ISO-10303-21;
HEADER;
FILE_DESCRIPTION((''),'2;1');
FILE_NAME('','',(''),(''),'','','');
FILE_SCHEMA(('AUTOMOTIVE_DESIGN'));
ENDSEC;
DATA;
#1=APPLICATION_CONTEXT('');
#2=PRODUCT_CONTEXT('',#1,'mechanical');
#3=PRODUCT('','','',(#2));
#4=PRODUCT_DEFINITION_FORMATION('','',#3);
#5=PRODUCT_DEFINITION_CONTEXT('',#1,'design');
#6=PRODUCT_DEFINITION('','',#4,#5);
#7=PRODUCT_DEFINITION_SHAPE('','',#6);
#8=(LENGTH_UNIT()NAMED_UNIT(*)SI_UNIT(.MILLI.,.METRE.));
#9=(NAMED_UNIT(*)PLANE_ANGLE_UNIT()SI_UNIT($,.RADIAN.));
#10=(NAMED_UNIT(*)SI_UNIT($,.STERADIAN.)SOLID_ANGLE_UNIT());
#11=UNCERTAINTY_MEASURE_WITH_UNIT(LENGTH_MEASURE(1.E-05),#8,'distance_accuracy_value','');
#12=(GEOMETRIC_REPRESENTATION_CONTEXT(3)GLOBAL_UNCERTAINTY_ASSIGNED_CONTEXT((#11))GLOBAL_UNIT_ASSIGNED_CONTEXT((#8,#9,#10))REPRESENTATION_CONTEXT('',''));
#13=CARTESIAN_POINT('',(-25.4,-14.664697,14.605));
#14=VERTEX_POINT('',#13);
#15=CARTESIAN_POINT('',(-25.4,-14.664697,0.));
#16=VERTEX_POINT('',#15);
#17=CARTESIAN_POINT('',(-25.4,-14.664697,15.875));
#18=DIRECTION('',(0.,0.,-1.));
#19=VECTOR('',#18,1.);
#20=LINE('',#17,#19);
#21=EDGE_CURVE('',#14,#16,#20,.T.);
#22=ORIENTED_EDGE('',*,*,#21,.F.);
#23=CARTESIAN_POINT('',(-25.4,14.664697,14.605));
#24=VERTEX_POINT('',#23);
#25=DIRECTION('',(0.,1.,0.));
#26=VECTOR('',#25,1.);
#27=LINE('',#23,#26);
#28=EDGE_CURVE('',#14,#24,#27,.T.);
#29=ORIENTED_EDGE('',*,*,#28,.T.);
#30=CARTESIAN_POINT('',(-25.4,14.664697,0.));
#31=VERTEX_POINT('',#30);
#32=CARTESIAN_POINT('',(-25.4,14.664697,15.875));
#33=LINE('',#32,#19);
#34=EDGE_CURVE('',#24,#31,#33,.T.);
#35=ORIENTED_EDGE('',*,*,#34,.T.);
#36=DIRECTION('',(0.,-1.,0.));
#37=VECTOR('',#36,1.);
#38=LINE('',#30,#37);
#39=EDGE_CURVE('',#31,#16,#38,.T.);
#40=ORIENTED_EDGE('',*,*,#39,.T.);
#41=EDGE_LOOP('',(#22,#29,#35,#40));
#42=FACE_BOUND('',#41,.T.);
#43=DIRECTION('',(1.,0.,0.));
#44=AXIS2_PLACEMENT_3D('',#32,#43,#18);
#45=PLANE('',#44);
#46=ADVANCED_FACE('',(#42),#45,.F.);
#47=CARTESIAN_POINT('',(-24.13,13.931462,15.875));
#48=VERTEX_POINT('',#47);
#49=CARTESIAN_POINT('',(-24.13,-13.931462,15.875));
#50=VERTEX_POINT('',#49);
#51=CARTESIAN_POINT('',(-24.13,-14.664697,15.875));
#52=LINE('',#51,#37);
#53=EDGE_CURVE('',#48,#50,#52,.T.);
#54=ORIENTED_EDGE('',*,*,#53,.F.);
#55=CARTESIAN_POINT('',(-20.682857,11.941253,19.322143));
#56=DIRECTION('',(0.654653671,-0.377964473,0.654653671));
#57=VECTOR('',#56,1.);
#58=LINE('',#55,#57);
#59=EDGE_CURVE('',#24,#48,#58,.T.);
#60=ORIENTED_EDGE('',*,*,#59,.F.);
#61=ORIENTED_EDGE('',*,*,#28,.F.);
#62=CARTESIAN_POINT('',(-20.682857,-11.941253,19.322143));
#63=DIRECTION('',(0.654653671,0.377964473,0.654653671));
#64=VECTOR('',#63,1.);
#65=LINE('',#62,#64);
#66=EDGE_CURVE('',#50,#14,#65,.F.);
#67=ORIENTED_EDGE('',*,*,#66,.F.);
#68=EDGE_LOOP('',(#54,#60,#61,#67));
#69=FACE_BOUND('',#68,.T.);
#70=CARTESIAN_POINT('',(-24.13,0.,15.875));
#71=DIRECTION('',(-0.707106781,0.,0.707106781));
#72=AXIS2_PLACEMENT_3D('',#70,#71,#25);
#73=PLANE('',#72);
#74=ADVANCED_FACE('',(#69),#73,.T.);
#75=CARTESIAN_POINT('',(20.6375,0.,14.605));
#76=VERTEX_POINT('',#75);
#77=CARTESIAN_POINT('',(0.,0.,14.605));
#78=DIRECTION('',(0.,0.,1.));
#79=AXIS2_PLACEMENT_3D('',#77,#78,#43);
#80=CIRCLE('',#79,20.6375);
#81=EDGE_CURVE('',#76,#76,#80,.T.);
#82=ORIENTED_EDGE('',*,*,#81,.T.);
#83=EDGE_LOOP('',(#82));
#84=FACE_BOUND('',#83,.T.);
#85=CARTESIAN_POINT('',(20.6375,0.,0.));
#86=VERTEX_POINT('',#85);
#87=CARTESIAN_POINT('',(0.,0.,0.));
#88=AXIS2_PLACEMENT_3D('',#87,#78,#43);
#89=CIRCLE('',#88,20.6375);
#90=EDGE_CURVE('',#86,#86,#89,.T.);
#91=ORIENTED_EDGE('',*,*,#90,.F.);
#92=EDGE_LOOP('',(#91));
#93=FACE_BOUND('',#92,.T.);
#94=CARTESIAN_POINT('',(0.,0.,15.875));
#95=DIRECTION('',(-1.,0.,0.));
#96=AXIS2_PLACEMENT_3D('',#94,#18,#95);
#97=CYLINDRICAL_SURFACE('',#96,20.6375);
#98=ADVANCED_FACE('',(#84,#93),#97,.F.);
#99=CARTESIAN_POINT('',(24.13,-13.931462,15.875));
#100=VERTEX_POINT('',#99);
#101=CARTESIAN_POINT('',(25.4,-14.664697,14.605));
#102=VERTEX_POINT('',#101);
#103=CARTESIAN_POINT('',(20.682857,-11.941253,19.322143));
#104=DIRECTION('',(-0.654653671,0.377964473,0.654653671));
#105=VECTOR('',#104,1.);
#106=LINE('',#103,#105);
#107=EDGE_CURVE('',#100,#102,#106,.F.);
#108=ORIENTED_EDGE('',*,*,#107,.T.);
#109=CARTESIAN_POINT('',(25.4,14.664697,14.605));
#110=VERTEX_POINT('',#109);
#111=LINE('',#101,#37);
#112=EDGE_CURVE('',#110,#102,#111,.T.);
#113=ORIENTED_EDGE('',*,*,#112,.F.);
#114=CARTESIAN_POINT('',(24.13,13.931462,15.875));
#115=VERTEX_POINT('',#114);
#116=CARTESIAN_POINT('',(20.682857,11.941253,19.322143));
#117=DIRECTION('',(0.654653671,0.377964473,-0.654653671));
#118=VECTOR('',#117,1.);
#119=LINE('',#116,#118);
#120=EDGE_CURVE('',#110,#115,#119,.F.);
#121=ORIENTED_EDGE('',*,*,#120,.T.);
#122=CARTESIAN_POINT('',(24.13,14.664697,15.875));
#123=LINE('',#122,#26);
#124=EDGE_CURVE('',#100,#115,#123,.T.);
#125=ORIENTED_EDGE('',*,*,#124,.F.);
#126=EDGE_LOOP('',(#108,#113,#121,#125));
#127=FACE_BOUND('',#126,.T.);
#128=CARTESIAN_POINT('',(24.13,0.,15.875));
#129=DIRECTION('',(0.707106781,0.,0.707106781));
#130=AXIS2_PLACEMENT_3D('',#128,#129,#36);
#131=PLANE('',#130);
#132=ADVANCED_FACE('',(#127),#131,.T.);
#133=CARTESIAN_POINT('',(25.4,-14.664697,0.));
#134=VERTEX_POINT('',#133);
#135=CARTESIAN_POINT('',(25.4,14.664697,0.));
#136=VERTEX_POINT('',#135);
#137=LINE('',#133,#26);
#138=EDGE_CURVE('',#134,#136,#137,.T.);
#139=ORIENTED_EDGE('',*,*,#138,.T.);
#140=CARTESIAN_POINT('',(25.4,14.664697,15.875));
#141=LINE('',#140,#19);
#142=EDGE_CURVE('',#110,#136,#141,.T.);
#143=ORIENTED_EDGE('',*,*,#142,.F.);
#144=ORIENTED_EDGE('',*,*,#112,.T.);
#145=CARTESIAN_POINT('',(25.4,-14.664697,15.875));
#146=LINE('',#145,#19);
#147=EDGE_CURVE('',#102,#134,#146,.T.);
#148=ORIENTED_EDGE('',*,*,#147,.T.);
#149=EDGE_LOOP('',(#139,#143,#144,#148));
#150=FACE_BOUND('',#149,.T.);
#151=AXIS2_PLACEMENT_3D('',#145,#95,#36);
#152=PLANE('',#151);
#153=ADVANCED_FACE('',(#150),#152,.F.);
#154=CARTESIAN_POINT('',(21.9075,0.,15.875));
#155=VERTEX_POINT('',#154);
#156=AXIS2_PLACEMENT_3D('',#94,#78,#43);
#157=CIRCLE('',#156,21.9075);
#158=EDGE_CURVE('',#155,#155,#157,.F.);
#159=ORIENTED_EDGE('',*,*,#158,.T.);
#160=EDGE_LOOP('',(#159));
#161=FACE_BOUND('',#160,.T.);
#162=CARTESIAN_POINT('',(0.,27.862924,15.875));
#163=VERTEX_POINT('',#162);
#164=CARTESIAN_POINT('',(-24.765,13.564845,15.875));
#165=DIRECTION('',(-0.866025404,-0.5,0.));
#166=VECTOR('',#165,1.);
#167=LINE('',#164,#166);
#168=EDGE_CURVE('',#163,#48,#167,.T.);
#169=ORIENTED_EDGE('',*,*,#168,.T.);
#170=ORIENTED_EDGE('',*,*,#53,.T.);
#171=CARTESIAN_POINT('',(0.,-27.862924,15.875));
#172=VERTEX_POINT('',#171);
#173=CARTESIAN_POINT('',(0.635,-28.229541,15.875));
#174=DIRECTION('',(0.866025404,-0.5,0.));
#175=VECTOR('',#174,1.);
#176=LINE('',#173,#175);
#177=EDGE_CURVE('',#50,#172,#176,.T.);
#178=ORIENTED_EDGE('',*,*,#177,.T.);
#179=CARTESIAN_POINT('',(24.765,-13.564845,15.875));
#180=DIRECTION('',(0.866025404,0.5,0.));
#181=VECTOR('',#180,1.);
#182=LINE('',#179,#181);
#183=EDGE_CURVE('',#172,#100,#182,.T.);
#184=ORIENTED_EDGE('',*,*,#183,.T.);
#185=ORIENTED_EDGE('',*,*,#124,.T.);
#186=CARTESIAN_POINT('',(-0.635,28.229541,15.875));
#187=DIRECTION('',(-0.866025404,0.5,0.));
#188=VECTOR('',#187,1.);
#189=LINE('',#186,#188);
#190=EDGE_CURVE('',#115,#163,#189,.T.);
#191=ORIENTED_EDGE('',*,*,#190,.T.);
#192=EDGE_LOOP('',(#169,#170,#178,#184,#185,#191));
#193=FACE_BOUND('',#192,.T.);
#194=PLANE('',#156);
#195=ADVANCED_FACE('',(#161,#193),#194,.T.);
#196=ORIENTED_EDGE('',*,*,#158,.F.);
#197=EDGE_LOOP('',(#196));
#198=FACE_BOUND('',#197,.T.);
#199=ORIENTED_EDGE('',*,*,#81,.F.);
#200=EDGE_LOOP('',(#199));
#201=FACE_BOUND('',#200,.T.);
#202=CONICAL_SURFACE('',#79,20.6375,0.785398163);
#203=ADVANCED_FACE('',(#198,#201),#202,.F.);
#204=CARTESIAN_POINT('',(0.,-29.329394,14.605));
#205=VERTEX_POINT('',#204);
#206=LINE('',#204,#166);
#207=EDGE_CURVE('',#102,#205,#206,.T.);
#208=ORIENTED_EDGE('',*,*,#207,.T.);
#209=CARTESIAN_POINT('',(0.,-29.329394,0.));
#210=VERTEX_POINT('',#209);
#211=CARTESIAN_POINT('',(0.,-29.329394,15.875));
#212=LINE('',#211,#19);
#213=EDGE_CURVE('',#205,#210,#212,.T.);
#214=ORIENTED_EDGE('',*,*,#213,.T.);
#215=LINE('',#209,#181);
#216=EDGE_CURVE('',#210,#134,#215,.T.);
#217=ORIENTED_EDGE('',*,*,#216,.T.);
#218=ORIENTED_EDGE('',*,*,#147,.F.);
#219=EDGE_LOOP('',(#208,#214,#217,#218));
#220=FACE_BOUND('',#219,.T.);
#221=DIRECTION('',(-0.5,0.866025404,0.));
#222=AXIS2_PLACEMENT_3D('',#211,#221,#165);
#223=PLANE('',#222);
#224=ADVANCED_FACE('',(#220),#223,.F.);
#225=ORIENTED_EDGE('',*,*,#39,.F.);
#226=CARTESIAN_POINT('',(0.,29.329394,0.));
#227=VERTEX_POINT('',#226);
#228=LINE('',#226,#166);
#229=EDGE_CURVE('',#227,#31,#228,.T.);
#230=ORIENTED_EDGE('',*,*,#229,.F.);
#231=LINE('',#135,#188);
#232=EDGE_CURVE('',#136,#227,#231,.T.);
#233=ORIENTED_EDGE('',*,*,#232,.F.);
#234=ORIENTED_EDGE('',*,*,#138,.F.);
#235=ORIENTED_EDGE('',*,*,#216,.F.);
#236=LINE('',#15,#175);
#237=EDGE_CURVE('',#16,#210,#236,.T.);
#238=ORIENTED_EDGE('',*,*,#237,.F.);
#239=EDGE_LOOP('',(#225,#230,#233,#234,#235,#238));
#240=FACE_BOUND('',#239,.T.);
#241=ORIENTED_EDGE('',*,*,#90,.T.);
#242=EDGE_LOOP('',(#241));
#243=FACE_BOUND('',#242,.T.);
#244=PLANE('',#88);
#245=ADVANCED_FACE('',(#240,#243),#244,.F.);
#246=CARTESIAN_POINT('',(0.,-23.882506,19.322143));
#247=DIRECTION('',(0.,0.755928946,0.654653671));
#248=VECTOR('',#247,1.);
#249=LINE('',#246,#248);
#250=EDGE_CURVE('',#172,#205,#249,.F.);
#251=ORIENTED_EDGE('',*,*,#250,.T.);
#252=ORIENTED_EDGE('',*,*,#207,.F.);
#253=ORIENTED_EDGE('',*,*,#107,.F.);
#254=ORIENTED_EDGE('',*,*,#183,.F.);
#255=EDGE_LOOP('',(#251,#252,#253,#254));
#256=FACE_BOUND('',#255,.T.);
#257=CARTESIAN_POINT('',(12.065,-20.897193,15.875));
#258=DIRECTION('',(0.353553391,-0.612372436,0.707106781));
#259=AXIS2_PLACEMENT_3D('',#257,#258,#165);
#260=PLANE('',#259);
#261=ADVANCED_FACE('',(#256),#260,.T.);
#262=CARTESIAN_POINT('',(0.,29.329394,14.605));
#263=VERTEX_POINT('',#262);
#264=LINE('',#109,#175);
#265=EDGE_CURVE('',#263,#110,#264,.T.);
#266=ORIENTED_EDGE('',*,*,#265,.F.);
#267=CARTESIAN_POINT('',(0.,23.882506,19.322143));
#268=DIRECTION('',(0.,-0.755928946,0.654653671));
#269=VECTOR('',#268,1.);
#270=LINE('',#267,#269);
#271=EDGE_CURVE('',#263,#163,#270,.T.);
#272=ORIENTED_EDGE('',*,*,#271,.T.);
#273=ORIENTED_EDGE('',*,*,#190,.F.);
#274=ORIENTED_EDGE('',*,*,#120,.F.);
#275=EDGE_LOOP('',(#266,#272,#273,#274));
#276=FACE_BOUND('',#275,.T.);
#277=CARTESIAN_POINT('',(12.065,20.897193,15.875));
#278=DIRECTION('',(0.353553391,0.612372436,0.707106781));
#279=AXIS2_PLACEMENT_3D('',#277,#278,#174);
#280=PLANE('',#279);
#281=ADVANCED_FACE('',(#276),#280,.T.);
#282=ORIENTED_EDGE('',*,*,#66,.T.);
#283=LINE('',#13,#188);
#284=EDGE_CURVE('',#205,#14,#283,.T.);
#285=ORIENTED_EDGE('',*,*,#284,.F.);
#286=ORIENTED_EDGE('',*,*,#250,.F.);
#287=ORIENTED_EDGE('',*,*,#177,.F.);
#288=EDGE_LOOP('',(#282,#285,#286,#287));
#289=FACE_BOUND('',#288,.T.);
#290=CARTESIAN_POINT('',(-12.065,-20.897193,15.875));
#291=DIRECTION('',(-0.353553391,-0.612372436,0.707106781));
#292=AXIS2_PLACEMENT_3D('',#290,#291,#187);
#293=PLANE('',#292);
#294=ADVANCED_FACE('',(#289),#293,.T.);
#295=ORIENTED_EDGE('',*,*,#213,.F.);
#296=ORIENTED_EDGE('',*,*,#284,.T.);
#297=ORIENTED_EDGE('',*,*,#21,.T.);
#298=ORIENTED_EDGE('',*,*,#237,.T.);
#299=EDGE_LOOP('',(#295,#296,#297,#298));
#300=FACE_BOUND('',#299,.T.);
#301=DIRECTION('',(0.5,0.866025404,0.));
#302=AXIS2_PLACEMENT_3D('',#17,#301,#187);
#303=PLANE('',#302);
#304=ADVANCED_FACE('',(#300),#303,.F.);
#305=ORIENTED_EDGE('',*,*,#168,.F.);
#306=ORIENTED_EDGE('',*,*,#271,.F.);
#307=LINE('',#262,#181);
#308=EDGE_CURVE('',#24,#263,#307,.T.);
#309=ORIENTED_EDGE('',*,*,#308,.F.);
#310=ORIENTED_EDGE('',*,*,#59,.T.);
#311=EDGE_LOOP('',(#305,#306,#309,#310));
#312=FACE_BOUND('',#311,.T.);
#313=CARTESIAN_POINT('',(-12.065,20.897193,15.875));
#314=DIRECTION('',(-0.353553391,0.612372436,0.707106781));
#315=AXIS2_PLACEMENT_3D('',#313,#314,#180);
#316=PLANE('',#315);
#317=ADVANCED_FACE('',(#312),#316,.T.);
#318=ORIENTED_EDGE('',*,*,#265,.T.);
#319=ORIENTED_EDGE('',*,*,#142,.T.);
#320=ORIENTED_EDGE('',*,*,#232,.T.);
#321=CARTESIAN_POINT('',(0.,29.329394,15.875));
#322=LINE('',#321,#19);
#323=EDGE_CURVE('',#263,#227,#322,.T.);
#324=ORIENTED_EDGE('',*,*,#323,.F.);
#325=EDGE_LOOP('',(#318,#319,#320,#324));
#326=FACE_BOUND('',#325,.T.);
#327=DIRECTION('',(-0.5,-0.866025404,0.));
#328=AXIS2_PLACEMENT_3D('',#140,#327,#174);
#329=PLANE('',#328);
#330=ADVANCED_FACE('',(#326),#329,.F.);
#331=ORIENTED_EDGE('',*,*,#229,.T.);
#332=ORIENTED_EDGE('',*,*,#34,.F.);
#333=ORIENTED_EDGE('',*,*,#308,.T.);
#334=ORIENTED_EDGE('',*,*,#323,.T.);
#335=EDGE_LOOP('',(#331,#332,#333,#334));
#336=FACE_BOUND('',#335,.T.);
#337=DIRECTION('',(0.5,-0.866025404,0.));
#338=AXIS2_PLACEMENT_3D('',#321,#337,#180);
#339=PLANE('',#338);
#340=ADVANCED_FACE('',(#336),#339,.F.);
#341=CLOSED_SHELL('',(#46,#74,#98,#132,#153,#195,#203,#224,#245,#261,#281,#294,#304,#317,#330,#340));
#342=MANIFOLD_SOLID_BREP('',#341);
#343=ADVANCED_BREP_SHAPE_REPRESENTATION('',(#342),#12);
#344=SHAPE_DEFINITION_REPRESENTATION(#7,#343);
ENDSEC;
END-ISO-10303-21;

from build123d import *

# Parameters (mm, degrees)
SKETCH1_R           = 20.6375
BOSS_EXTRUDE1_DEPTH = 15.875
CHAMFER1_SIZE       = 1.27


with BuildPart() as part:
    # Sketch1 → Boss-Extrude1 (new body)
    with BuildSketch(Plane.XY):
        Polygon((0, 29.329393675), (-25.4, 14.664696837), (-25.4, -14.664696837), (0, -29.329393675), (25.4, -14.664696837), (25.4, 14.664696837), align=None)
        Circle(SKETCH1_R, mode=Mode.SUBTRACT)
    extrude(amount=BOSS_EXTRUDE1_DEPTH)

    # Chamfer1
    chamfer1_edges = [part.edges().sort_by_distance(p)[0] for p in [
        (-25.4, 0, 15.875),
        (-12.7, -21.997045256, 15.875),
        (12.7, -21.997045256, 15.875),
        (-20.6375, 0, 15.875),
        (25.4, 0, 15.875),
        (12.7, 21.997045256, 15.875),
        (-12.7, 21.997045256, 15.875),
    ]]
    chamfer(chamfer1_edges, length=CHAMFER1_SIZE)


solid = part.part
